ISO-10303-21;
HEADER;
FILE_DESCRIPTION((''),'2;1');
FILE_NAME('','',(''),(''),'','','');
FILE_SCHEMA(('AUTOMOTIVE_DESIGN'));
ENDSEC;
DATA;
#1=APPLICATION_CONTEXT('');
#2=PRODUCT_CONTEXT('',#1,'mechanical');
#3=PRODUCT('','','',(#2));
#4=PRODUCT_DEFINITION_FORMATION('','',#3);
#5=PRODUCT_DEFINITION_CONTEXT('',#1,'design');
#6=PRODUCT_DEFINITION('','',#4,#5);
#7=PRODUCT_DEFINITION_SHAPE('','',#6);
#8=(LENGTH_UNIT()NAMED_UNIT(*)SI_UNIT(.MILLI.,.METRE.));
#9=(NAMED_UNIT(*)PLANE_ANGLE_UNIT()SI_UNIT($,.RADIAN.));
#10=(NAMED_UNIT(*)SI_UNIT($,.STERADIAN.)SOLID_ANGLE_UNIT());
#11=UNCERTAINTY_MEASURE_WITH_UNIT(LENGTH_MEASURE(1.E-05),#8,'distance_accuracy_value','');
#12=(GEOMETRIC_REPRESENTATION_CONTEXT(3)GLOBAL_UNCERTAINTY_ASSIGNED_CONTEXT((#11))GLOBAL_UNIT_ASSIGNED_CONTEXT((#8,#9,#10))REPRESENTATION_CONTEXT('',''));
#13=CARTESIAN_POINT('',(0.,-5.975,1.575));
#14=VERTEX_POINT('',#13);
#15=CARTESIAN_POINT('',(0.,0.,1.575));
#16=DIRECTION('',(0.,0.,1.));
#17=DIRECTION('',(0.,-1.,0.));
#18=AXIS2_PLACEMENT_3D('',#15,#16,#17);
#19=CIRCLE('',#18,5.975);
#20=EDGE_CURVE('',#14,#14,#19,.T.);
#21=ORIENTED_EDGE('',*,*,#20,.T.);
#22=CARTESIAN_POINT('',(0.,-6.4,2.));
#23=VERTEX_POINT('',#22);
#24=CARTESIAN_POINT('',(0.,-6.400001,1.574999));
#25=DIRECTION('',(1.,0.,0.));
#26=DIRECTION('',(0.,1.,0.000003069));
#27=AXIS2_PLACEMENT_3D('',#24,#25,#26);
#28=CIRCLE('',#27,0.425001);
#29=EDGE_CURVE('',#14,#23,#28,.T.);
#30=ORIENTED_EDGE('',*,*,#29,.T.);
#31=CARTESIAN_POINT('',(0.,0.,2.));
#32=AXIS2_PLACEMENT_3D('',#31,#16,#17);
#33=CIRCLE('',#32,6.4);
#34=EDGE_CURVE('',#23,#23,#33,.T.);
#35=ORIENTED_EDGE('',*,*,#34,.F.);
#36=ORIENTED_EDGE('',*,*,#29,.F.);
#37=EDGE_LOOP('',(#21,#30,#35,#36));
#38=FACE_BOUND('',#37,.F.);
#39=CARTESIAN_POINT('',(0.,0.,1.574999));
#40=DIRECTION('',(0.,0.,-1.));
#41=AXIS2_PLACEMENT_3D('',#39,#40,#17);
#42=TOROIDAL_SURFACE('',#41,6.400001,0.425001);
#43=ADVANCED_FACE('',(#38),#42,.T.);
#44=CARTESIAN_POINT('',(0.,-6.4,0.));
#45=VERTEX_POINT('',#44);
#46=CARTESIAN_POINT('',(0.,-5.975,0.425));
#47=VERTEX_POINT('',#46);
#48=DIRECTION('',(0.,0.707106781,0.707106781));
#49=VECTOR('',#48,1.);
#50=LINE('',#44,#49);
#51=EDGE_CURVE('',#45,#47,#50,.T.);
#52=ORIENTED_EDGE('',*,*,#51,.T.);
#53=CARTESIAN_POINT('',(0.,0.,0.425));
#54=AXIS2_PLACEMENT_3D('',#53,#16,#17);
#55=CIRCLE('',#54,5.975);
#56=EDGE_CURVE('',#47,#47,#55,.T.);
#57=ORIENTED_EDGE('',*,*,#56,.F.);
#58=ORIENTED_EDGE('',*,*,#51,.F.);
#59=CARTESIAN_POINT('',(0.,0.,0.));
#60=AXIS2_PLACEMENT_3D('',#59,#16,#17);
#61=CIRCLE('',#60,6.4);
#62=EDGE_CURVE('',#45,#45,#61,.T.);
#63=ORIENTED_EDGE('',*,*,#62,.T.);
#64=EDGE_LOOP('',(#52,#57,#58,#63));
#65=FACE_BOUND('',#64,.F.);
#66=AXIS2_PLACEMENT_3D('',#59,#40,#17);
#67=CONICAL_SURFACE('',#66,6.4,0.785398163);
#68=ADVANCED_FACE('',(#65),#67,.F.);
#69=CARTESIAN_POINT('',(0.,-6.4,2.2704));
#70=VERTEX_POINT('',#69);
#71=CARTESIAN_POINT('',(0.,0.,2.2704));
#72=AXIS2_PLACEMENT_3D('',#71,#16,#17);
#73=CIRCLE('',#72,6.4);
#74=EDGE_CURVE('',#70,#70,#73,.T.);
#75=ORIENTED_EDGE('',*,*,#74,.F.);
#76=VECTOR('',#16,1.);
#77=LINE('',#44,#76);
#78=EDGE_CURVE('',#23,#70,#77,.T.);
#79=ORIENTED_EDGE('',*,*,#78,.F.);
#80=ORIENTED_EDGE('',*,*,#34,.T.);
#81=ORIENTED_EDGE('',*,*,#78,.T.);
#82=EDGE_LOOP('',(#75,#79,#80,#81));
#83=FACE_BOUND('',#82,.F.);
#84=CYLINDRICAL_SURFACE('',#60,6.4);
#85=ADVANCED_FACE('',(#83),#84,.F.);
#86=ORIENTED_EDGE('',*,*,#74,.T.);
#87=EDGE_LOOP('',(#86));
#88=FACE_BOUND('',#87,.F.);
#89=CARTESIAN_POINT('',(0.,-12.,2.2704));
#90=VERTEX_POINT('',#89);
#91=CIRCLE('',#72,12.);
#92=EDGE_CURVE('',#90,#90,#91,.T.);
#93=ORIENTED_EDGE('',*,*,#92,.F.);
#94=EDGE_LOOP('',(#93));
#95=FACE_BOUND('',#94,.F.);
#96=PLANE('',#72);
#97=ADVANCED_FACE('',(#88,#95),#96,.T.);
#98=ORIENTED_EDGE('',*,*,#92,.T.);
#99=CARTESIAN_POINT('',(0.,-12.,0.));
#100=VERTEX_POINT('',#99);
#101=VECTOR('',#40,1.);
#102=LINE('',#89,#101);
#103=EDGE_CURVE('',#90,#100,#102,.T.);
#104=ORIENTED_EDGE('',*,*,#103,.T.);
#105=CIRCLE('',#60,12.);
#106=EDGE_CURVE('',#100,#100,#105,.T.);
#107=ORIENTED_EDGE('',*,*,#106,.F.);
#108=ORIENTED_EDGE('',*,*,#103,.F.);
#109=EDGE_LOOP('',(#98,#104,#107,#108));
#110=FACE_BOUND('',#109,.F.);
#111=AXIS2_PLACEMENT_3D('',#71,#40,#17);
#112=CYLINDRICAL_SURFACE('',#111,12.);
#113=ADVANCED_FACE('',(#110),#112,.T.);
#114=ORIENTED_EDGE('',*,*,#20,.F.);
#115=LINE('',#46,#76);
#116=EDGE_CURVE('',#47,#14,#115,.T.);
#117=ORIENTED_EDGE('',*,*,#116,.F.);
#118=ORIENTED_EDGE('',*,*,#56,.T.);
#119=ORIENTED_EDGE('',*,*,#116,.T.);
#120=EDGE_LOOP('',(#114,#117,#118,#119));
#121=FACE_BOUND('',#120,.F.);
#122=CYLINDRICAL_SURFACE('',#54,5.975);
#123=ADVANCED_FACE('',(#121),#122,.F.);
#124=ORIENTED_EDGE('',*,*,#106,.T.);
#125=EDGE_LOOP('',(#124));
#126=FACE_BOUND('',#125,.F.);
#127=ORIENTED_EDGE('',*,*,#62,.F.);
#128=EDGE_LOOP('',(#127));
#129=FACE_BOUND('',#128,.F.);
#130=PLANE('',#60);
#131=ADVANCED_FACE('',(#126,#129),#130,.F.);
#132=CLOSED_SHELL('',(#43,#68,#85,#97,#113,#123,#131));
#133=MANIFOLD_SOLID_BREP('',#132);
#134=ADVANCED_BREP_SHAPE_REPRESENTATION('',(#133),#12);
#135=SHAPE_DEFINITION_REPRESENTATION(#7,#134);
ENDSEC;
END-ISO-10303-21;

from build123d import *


with BuildPart() as f1:
    # F0 (on Right) → F1 (revolve)
    with BuildSketch(Plane.YZ):
        Polygon((-12, 0), (-6.4, 0), (-6.4, 2), (-6.4, 2.2704), (-12, 2.2704), align=None)
        with BuildLine():
            Line((-6.4, 2), (-6.4, 0))
            Line((-6.4, 0), (-5.975, 0.425))
            Line((-5.975, 0.425), (-5.975, 1.575))
            ThreePointArc((-5.975, 1.575), (-6.09948, 1.87552), (-6.4, 2))
        make_face()
    revolve(axis=Axis((0, 0, 18.057704), (0, 0, 1)))


solid = f1.part
